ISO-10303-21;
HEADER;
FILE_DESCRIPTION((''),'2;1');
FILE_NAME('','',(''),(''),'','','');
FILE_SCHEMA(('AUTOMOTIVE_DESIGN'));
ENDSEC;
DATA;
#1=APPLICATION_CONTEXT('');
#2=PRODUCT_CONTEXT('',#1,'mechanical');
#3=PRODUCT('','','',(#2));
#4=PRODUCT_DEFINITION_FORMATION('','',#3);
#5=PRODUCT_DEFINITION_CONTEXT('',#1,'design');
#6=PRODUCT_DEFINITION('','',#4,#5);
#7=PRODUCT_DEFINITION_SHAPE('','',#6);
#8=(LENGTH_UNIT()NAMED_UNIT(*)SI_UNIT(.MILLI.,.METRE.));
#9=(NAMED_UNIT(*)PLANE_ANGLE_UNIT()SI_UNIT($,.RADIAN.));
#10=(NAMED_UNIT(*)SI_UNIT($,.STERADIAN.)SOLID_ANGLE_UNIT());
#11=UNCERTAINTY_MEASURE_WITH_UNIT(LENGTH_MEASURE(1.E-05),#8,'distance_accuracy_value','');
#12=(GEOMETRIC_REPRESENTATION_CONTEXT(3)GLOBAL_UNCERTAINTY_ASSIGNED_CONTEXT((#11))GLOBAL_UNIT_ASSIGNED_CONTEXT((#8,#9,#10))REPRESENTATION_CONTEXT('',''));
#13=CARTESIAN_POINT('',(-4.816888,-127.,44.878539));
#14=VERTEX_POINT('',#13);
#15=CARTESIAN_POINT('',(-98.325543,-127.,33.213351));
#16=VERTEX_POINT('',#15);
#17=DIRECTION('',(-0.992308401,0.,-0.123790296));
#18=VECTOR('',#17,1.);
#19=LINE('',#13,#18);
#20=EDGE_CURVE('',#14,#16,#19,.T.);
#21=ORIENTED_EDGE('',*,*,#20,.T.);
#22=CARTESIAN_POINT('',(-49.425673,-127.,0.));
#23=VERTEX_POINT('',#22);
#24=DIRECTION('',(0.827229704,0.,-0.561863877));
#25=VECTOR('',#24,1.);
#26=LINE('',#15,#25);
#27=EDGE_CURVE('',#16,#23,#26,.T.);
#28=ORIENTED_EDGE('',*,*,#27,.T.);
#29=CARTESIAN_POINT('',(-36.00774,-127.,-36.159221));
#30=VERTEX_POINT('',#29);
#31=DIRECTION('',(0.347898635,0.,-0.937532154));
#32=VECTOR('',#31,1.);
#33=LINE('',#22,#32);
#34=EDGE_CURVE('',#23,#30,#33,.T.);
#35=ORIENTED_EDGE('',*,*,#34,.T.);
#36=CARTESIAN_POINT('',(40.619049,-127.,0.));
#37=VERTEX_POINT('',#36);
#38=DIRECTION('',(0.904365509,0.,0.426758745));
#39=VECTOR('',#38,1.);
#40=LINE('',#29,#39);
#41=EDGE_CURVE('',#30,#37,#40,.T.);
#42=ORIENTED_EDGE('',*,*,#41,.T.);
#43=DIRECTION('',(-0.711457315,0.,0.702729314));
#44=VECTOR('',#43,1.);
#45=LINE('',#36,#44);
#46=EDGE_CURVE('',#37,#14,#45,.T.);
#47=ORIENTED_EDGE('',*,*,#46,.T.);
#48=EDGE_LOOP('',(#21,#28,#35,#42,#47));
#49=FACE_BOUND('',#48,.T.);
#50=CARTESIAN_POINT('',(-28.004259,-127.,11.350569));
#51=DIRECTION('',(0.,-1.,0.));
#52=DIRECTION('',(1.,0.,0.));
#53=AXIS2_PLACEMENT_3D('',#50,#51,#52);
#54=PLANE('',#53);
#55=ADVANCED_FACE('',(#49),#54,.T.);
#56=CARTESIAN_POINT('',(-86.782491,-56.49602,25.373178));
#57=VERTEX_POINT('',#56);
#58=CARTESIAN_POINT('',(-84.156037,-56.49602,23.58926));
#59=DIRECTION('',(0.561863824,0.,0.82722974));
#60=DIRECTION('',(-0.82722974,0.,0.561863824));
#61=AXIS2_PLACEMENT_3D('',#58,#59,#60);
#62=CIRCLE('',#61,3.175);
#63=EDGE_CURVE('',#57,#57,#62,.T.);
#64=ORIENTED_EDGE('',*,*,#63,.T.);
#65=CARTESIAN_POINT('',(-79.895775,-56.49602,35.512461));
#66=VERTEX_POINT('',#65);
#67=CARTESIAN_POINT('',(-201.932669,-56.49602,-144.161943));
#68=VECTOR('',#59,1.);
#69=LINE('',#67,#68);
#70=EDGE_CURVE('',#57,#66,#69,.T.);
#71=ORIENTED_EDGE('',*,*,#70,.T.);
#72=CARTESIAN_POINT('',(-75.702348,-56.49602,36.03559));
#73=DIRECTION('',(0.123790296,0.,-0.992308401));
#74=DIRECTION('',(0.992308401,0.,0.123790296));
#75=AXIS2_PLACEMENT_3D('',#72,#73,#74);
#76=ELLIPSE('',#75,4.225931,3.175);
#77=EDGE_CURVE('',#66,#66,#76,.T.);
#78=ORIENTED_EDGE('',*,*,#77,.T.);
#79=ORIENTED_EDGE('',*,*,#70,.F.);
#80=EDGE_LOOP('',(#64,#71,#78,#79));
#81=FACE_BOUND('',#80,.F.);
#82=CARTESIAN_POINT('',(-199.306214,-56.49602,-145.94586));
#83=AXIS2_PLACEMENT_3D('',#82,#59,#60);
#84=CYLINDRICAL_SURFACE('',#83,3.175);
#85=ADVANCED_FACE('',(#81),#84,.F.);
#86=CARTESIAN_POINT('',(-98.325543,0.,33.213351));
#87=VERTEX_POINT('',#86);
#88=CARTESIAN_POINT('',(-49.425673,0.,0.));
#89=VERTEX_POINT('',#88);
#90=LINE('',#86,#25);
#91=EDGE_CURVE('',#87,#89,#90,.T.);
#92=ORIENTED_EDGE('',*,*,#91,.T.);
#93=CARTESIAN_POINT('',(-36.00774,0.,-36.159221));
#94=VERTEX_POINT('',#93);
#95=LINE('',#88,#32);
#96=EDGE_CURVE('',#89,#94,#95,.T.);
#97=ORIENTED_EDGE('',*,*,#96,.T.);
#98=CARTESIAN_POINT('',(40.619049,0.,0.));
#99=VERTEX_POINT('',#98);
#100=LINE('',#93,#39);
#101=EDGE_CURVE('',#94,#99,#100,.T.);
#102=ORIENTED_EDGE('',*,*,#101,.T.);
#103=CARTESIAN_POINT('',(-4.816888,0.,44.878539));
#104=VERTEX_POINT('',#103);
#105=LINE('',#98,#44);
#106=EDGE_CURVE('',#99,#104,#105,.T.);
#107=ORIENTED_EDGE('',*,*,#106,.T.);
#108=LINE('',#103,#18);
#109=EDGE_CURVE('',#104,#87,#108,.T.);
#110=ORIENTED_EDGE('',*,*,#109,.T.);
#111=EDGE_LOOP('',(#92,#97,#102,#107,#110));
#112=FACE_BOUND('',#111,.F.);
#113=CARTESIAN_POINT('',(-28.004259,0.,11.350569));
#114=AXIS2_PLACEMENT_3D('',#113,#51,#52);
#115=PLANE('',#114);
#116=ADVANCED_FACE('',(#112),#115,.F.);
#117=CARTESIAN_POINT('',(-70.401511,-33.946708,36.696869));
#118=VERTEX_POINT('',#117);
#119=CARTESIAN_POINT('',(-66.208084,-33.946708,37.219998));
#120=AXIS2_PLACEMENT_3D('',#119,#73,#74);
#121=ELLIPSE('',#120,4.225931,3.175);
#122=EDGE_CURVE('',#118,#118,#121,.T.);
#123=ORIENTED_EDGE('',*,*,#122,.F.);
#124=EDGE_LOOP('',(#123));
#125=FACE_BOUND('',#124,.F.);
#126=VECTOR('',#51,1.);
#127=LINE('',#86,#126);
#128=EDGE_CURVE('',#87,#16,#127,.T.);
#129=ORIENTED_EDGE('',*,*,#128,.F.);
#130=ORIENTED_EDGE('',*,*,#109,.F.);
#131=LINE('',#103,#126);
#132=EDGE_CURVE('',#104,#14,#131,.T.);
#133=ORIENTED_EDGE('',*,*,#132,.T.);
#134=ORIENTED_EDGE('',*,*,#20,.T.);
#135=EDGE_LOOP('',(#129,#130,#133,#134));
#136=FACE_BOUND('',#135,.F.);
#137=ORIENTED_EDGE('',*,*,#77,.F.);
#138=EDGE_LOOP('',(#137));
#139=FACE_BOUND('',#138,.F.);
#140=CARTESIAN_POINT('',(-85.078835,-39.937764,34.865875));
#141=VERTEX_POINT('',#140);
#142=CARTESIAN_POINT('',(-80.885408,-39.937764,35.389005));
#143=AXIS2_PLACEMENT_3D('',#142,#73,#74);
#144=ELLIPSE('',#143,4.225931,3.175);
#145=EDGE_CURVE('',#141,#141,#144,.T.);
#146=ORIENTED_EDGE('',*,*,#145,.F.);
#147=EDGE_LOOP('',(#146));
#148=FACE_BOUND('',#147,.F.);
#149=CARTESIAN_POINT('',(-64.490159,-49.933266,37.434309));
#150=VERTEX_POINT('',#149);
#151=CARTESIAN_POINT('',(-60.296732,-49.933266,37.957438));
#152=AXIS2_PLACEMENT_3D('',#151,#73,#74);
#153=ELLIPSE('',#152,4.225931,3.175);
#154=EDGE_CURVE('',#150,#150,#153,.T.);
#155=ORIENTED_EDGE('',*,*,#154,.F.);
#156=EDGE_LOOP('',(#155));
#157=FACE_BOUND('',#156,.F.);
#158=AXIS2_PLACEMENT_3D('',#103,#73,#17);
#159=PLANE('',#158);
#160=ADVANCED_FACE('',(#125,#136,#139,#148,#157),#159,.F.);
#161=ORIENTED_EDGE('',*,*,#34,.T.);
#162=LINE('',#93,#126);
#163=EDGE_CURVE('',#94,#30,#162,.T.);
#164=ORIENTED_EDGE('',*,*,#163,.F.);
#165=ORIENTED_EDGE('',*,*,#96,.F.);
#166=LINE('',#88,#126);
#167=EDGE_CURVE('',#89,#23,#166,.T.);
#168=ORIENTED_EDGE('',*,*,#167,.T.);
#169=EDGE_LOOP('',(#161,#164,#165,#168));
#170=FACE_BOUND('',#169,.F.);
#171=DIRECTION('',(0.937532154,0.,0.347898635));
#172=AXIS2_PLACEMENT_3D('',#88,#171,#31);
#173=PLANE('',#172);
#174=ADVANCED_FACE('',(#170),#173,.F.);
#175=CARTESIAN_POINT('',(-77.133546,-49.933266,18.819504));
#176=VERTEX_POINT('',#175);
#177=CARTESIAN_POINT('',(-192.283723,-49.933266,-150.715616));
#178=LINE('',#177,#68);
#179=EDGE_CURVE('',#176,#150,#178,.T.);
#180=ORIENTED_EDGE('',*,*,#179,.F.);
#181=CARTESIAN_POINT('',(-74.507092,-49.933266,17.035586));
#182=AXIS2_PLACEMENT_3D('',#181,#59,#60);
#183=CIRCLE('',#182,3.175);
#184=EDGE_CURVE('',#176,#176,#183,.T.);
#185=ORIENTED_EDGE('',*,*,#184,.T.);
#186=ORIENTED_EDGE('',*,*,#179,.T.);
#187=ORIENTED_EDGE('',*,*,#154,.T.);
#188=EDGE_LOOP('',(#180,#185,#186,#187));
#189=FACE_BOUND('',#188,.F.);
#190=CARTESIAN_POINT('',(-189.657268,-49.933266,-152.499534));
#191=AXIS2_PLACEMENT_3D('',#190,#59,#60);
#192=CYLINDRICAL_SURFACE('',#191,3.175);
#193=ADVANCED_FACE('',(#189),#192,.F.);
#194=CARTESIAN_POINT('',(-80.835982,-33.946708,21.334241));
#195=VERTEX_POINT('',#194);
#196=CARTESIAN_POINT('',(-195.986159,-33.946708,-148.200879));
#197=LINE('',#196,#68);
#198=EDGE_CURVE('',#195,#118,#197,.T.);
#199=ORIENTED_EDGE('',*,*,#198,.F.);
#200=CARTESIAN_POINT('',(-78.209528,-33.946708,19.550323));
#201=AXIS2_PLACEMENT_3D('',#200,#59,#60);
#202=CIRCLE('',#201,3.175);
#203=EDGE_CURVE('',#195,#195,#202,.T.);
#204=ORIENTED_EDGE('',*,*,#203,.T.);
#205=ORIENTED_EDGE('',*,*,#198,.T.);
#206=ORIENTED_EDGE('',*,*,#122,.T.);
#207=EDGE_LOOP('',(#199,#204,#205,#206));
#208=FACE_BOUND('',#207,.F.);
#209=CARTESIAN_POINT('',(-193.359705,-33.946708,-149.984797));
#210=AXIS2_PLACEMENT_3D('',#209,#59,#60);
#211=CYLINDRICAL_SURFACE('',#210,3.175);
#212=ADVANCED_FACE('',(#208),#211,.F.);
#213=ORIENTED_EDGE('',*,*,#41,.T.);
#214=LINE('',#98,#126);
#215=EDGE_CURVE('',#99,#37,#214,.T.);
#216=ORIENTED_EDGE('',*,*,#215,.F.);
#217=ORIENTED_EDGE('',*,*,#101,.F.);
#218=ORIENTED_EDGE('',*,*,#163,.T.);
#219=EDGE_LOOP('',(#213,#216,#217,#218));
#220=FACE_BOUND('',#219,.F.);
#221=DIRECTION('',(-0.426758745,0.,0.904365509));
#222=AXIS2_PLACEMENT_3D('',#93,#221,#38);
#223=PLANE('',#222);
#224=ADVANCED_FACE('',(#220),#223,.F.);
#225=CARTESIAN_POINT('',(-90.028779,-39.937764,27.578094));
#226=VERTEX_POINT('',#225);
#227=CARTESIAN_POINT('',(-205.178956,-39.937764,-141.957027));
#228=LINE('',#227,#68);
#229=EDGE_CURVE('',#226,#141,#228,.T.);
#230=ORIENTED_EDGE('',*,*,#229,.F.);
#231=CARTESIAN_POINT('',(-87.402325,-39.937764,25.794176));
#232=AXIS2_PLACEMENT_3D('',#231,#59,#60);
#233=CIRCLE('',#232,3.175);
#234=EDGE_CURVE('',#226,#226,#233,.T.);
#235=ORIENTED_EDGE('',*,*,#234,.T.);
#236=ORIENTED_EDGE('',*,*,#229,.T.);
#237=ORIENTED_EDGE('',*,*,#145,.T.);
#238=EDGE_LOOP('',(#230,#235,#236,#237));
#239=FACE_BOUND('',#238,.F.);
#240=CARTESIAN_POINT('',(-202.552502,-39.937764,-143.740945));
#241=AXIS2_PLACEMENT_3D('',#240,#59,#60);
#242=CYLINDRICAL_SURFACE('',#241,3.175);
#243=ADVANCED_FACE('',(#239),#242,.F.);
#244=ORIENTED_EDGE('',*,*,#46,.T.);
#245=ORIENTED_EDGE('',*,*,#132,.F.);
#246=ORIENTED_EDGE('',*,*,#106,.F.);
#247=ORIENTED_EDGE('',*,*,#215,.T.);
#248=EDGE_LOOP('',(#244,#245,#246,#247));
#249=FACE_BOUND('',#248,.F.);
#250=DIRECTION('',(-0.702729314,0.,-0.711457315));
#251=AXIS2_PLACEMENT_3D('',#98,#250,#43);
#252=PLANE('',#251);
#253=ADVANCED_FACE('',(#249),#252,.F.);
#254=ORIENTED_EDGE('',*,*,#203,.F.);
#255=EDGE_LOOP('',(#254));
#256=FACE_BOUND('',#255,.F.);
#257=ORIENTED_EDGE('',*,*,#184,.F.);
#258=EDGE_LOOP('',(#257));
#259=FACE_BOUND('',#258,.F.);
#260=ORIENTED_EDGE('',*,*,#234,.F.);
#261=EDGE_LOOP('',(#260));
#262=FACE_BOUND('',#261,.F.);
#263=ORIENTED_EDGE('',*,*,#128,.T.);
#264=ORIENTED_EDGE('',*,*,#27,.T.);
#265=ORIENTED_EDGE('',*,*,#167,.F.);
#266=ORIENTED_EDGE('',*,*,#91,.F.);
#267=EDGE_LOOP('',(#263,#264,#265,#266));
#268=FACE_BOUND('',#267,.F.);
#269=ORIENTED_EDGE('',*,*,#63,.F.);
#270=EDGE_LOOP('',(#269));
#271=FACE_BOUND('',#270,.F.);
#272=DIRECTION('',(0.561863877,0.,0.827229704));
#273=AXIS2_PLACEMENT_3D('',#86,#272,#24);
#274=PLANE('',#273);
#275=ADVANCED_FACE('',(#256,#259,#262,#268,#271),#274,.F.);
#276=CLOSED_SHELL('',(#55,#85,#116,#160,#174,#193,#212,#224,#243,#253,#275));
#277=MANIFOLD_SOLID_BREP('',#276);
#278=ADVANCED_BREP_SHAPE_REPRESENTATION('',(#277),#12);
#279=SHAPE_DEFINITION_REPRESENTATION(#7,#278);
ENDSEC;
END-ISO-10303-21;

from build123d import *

# Parameters (mm, degrees)
F1_DEPTH = 127
F3_D     = 6.35


with BuildPart() as f1:
    # F0 (on Front) → F1 (new body)
    with BuildSketch(Plane.XZ):
        Polygon((-4.816888, 44.878539), (-98.325543, 33.213351), (-49.425673, 0), (-36.00774, -36.159221), (40.619049, 0), align=None)
    extrude(amount=F1_DEPTH)

    # F3 (through all)
    with Locations(Plane(origin=(-15.603241, 0, -22.972583), x_dir=(0.82723, 0, -0.561864), z_dir=(-0.561864, 0, -0.82723))):
        with Locations((-86.794615, 39.937764), (-71.20616, 49.933266), (-75.681865, 33.946708), (-82.870327, 56.49602)):
            Hole(F3_D / 2)


solid = f1.part
